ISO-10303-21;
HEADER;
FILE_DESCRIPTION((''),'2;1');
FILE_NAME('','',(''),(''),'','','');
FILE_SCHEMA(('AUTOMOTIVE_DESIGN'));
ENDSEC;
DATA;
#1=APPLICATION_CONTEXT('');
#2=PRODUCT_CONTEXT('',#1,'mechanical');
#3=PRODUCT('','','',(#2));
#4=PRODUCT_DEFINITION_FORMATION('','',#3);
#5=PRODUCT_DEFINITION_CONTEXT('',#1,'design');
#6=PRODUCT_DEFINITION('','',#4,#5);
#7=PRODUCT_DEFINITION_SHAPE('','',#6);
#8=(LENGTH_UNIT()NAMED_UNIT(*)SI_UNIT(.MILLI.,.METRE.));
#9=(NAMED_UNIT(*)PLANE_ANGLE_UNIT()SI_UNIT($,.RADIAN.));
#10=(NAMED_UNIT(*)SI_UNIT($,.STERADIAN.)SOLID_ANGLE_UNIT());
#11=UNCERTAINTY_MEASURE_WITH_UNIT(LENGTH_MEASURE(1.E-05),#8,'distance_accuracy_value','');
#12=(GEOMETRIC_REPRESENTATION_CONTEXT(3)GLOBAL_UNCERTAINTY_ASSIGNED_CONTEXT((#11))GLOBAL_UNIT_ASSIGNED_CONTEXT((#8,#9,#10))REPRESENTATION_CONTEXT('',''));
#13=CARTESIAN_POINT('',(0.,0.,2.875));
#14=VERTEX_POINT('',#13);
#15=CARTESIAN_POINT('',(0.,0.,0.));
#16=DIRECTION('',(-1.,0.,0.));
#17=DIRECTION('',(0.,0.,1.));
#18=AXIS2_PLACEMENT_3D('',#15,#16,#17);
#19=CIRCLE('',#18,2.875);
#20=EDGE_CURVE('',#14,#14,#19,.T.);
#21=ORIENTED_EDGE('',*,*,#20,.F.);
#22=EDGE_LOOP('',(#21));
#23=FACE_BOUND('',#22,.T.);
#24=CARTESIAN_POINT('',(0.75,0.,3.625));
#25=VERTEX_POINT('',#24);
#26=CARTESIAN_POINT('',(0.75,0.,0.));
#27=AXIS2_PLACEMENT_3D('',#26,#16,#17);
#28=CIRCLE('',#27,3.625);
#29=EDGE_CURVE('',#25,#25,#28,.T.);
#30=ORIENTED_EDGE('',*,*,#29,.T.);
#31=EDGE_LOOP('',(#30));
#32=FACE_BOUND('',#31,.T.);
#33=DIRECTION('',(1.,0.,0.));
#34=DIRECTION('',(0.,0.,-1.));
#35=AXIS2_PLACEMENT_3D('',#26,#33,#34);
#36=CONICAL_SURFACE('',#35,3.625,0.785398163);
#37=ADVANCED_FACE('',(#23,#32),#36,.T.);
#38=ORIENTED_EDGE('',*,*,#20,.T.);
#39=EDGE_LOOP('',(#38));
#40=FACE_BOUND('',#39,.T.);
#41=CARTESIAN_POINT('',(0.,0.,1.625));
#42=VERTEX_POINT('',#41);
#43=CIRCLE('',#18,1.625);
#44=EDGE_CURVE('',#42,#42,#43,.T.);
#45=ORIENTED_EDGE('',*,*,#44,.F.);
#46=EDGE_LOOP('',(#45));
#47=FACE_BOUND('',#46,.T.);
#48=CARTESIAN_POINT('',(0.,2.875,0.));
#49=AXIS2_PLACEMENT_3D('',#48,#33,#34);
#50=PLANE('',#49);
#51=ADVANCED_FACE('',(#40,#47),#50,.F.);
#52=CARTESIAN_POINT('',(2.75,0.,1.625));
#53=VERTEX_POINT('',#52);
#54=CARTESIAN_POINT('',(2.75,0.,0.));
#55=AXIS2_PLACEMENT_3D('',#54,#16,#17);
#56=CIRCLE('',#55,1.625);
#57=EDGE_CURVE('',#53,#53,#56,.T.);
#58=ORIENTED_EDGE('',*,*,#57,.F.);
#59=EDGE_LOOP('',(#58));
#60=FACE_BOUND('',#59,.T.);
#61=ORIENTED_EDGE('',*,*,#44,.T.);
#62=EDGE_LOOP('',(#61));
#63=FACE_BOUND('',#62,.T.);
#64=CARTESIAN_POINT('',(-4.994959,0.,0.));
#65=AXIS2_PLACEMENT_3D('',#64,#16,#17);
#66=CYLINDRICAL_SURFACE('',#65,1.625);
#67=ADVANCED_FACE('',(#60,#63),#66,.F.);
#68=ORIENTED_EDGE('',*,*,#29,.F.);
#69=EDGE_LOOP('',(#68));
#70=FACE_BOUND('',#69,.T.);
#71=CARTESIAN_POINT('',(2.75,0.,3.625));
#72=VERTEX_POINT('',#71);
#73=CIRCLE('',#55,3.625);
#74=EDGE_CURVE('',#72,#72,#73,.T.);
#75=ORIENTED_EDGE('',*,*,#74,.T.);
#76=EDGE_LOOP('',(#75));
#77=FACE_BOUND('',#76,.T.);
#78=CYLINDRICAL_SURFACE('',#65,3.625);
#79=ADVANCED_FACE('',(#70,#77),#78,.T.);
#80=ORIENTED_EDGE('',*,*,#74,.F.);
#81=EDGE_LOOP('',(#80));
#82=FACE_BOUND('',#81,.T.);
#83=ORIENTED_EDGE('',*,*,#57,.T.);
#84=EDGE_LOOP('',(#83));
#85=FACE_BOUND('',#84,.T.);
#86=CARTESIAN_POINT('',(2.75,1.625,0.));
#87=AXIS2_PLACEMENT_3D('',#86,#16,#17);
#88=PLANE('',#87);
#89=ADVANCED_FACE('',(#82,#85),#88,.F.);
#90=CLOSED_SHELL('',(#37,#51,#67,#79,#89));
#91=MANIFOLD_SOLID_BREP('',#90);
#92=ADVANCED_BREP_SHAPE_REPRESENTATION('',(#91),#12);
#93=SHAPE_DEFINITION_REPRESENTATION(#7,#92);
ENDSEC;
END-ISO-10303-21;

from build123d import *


with BuildPart() as part:
    # Sketch1 → Revolve1 (revolve)
    with BuildSketch(Plane.XY):
        Polygon((0, 2.875), (0.75, 3.625), (2.75, 3.625), (2.75, 1.625), (0, 1.625), align=None)
    revolve(axis=Axis((-4.994959257, 0, 0), (1, 0, 0)))


solid = part.part
